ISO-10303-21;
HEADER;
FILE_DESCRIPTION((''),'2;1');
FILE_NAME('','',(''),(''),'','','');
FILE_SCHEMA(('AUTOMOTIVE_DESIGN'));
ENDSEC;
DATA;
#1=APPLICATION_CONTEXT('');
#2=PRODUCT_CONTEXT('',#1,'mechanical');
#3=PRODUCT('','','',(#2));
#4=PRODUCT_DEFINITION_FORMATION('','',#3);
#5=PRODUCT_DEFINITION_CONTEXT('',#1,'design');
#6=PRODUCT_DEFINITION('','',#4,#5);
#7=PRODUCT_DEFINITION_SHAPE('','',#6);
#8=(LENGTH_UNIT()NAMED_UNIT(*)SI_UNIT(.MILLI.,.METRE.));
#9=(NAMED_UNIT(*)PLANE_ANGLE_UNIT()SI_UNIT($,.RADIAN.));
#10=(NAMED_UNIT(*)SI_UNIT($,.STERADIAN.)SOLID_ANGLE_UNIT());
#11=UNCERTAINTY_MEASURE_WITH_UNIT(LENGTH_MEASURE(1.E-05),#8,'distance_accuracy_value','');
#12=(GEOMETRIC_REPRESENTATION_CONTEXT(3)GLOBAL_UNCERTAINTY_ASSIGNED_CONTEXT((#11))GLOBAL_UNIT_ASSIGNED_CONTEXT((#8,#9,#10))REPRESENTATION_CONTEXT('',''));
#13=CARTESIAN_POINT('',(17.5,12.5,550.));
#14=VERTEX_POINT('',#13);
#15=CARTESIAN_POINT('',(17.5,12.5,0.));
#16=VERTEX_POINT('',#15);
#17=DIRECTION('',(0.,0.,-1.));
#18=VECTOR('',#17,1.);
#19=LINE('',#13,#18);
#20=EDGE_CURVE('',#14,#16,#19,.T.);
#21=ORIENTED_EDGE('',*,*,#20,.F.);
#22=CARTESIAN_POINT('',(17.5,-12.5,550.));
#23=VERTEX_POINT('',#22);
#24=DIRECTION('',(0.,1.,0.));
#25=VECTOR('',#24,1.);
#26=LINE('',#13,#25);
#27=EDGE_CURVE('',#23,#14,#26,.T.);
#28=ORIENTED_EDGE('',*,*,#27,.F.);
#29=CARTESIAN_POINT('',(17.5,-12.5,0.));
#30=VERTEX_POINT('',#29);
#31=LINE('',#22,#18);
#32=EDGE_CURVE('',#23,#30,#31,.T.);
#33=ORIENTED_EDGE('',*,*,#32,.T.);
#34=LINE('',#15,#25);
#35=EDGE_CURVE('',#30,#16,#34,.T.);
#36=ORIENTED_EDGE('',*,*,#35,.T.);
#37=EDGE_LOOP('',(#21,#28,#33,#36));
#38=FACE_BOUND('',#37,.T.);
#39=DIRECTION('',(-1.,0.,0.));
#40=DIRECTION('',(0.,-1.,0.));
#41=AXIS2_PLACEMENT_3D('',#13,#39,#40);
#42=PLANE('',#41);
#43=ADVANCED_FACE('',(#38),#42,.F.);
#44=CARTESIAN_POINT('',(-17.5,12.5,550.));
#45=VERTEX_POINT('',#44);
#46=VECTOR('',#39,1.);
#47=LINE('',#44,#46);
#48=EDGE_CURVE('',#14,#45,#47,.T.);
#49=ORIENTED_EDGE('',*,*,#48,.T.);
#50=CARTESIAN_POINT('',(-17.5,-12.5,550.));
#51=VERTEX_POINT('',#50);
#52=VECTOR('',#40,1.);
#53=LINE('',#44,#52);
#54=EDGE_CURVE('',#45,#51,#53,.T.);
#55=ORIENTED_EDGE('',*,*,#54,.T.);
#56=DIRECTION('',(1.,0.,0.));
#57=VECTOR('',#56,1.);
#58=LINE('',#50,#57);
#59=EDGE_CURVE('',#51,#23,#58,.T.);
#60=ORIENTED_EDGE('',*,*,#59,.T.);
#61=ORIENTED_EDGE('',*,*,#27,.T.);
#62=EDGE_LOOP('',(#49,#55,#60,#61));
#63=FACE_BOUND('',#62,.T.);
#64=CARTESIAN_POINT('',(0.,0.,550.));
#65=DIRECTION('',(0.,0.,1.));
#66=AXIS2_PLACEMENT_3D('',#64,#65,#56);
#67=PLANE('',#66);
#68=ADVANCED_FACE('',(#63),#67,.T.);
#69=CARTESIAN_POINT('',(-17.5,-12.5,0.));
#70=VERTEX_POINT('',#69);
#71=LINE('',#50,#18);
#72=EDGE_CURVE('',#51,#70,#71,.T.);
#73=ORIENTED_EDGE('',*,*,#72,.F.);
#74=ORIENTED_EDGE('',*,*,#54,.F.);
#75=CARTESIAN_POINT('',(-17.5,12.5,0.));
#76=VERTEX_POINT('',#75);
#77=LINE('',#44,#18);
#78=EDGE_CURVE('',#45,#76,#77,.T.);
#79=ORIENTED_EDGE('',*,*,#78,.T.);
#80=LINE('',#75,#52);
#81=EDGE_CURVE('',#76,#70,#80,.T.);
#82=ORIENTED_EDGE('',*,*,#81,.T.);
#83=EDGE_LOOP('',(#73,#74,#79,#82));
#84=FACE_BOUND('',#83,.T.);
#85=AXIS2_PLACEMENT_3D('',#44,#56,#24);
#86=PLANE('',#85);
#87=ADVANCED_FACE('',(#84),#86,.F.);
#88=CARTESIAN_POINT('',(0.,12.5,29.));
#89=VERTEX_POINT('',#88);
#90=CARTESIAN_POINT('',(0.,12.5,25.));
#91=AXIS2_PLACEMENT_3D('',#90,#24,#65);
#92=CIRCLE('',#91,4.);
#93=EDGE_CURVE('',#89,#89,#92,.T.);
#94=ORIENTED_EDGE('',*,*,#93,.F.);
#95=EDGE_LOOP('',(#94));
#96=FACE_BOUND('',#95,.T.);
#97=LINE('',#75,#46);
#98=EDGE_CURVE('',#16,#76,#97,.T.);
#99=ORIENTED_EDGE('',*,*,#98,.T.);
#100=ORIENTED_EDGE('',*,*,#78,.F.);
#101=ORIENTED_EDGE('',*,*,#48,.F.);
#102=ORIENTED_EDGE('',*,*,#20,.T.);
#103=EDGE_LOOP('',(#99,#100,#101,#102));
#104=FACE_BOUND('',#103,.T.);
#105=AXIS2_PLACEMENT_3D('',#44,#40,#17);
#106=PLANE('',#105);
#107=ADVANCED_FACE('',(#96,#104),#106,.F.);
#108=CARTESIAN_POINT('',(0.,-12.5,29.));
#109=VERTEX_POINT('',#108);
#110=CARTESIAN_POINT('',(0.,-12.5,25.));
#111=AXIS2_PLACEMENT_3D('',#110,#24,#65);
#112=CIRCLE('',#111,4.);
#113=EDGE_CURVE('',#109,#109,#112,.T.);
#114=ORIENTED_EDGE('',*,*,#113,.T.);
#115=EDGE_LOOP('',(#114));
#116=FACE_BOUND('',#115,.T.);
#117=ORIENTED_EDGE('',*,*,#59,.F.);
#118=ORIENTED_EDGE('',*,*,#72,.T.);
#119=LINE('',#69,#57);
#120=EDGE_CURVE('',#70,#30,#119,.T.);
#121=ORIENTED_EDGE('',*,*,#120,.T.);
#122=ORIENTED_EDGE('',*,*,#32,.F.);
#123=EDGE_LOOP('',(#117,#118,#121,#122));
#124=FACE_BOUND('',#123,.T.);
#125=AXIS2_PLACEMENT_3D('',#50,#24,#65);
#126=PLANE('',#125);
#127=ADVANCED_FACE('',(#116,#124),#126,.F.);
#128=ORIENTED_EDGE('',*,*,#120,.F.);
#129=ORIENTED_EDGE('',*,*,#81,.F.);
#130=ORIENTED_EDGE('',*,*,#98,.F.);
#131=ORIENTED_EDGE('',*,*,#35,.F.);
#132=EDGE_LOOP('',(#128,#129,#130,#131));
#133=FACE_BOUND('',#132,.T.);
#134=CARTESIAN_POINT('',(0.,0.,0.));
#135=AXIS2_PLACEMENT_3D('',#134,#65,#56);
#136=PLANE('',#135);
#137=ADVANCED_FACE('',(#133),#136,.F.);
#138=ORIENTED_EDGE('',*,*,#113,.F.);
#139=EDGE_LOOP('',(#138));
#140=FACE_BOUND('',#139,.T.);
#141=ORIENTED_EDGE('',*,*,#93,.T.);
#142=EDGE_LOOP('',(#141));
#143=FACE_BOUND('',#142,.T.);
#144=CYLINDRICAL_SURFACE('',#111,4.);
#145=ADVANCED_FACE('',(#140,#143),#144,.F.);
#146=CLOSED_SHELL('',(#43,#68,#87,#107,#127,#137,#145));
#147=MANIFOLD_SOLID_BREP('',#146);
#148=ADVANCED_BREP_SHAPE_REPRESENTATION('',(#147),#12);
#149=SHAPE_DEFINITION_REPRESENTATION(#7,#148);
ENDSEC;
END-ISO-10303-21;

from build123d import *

# Parameters (mm, degrees)
SKETCH2_W           = 35
SKETCH2_H           = 25
BOSS_EXTRUDE1_DEPTH = 550
SKETCH3_R           = 4
CUT_EXTRUDE2_DEPTH  = 551.84594035


with BuildPart() as part:
    # Sketch2 → Boss-Extrude1 (new body)
    with BuildSketch(Plane.XY):
        Rectangle(SKETCH2_W, SKETCH2_H)
    extrude(amount=BOSS_EXTRUDE1_DEPTH)

    # Sketch3 → Cut-Extrude2 (cut, through all)
    with BuildSketch(Plane(origin=(0, 12.5, 0), x_dir=(1, 0, 0), z_dir=(0, 1, 0))):
        with Locations(Location((0, -25, 0), (0, 0, 270))):
            Circle(SKETCH3_R)
    extrude(amount=-CUT_EXTRUDE2_DEPTH, mode=Mode.SUBTRACT)


solid = part.part
